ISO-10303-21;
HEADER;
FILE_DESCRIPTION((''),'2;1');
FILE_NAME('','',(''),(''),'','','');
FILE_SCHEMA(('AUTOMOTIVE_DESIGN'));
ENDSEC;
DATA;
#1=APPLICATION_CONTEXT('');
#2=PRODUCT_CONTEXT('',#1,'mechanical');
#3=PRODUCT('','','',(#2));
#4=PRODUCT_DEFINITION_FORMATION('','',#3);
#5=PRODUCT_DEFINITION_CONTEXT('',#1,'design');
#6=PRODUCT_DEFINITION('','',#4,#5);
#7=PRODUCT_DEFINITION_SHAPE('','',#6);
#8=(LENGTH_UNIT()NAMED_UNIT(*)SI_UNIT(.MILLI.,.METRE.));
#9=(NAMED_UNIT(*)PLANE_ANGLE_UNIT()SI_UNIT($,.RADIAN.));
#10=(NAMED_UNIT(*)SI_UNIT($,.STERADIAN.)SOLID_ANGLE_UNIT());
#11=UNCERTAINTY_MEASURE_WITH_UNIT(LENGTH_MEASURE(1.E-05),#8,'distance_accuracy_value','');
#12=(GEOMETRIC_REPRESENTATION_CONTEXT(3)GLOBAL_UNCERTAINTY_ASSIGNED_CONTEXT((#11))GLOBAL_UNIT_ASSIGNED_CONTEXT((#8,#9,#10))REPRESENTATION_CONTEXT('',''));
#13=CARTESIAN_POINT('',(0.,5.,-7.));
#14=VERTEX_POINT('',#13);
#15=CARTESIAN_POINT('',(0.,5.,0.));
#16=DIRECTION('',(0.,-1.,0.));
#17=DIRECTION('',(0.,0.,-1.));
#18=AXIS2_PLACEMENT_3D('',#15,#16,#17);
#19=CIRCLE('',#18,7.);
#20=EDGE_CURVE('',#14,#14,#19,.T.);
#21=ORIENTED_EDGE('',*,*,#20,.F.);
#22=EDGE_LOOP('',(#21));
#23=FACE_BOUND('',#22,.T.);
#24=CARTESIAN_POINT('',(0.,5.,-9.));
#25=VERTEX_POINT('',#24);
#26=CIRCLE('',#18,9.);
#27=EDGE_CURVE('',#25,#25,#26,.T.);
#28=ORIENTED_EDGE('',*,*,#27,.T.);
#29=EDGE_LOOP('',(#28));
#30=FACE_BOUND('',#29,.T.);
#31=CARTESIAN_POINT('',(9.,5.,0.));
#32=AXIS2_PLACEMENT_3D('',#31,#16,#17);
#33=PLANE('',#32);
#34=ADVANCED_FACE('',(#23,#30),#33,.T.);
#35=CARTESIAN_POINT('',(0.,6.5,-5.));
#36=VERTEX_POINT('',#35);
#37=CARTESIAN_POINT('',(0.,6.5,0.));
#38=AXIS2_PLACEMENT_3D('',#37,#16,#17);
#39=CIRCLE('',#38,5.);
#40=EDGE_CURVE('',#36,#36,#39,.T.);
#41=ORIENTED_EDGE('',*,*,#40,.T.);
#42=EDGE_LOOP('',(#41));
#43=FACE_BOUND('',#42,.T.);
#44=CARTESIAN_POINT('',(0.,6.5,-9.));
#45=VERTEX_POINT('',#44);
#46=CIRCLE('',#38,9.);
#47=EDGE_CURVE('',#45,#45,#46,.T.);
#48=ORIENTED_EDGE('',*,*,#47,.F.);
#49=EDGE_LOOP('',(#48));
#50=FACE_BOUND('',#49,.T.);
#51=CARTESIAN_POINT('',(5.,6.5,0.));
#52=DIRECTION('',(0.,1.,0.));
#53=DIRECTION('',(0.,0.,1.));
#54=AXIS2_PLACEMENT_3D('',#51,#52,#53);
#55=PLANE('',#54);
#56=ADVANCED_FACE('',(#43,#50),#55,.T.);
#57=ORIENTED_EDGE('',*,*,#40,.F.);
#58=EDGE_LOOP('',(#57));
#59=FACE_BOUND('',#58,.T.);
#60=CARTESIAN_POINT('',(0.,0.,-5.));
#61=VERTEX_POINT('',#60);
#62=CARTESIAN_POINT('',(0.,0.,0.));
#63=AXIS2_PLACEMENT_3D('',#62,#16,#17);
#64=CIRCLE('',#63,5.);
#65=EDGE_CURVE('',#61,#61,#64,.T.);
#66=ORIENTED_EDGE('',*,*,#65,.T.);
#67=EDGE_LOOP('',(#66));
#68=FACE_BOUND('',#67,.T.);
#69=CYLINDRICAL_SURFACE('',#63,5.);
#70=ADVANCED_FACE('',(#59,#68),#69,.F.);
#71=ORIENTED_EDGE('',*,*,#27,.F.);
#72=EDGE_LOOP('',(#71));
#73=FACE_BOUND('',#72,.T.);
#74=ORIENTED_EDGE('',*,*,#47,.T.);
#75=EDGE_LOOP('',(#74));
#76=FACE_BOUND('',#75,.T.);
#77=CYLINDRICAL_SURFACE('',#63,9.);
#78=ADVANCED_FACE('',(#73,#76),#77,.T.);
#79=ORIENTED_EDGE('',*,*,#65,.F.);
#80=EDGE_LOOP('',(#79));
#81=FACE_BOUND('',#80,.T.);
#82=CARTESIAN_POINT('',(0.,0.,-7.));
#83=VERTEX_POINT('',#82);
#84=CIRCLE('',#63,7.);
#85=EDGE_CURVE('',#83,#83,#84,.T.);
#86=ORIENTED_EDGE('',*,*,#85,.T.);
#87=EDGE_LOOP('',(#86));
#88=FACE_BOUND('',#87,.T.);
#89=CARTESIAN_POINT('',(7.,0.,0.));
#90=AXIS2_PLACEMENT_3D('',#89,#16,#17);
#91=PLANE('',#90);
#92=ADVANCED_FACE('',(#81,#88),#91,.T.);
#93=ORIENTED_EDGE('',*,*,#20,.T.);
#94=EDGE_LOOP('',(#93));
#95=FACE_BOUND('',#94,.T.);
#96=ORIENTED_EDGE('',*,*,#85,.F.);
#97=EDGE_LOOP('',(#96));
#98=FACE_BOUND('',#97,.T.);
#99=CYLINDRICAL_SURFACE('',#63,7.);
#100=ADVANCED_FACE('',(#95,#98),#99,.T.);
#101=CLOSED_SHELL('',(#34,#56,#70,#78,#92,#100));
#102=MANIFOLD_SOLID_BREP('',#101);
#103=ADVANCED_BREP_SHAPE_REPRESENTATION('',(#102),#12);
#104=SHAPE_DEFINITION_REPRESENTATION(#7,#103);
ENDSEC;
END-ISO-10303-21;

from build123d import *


with BuildPart() as part:
    # Sketch1 → Revolve1 (revolve)
    with BuildSketch(Plane.XY, mode=Mode.PRIVATE) as revolve1_sk:
        Polygon((5, 0), (5, 6.5), (9, 6.5), (9, 5), (7, 5), (7, 0), align=None)
    revolve(revolve1_sk.sketch.rotate(Axis((0, 0, 0), (0, 1, 0)), 90), axis=Axis((0, 0, 0), (0, 1, 0)))


solid = part.part
